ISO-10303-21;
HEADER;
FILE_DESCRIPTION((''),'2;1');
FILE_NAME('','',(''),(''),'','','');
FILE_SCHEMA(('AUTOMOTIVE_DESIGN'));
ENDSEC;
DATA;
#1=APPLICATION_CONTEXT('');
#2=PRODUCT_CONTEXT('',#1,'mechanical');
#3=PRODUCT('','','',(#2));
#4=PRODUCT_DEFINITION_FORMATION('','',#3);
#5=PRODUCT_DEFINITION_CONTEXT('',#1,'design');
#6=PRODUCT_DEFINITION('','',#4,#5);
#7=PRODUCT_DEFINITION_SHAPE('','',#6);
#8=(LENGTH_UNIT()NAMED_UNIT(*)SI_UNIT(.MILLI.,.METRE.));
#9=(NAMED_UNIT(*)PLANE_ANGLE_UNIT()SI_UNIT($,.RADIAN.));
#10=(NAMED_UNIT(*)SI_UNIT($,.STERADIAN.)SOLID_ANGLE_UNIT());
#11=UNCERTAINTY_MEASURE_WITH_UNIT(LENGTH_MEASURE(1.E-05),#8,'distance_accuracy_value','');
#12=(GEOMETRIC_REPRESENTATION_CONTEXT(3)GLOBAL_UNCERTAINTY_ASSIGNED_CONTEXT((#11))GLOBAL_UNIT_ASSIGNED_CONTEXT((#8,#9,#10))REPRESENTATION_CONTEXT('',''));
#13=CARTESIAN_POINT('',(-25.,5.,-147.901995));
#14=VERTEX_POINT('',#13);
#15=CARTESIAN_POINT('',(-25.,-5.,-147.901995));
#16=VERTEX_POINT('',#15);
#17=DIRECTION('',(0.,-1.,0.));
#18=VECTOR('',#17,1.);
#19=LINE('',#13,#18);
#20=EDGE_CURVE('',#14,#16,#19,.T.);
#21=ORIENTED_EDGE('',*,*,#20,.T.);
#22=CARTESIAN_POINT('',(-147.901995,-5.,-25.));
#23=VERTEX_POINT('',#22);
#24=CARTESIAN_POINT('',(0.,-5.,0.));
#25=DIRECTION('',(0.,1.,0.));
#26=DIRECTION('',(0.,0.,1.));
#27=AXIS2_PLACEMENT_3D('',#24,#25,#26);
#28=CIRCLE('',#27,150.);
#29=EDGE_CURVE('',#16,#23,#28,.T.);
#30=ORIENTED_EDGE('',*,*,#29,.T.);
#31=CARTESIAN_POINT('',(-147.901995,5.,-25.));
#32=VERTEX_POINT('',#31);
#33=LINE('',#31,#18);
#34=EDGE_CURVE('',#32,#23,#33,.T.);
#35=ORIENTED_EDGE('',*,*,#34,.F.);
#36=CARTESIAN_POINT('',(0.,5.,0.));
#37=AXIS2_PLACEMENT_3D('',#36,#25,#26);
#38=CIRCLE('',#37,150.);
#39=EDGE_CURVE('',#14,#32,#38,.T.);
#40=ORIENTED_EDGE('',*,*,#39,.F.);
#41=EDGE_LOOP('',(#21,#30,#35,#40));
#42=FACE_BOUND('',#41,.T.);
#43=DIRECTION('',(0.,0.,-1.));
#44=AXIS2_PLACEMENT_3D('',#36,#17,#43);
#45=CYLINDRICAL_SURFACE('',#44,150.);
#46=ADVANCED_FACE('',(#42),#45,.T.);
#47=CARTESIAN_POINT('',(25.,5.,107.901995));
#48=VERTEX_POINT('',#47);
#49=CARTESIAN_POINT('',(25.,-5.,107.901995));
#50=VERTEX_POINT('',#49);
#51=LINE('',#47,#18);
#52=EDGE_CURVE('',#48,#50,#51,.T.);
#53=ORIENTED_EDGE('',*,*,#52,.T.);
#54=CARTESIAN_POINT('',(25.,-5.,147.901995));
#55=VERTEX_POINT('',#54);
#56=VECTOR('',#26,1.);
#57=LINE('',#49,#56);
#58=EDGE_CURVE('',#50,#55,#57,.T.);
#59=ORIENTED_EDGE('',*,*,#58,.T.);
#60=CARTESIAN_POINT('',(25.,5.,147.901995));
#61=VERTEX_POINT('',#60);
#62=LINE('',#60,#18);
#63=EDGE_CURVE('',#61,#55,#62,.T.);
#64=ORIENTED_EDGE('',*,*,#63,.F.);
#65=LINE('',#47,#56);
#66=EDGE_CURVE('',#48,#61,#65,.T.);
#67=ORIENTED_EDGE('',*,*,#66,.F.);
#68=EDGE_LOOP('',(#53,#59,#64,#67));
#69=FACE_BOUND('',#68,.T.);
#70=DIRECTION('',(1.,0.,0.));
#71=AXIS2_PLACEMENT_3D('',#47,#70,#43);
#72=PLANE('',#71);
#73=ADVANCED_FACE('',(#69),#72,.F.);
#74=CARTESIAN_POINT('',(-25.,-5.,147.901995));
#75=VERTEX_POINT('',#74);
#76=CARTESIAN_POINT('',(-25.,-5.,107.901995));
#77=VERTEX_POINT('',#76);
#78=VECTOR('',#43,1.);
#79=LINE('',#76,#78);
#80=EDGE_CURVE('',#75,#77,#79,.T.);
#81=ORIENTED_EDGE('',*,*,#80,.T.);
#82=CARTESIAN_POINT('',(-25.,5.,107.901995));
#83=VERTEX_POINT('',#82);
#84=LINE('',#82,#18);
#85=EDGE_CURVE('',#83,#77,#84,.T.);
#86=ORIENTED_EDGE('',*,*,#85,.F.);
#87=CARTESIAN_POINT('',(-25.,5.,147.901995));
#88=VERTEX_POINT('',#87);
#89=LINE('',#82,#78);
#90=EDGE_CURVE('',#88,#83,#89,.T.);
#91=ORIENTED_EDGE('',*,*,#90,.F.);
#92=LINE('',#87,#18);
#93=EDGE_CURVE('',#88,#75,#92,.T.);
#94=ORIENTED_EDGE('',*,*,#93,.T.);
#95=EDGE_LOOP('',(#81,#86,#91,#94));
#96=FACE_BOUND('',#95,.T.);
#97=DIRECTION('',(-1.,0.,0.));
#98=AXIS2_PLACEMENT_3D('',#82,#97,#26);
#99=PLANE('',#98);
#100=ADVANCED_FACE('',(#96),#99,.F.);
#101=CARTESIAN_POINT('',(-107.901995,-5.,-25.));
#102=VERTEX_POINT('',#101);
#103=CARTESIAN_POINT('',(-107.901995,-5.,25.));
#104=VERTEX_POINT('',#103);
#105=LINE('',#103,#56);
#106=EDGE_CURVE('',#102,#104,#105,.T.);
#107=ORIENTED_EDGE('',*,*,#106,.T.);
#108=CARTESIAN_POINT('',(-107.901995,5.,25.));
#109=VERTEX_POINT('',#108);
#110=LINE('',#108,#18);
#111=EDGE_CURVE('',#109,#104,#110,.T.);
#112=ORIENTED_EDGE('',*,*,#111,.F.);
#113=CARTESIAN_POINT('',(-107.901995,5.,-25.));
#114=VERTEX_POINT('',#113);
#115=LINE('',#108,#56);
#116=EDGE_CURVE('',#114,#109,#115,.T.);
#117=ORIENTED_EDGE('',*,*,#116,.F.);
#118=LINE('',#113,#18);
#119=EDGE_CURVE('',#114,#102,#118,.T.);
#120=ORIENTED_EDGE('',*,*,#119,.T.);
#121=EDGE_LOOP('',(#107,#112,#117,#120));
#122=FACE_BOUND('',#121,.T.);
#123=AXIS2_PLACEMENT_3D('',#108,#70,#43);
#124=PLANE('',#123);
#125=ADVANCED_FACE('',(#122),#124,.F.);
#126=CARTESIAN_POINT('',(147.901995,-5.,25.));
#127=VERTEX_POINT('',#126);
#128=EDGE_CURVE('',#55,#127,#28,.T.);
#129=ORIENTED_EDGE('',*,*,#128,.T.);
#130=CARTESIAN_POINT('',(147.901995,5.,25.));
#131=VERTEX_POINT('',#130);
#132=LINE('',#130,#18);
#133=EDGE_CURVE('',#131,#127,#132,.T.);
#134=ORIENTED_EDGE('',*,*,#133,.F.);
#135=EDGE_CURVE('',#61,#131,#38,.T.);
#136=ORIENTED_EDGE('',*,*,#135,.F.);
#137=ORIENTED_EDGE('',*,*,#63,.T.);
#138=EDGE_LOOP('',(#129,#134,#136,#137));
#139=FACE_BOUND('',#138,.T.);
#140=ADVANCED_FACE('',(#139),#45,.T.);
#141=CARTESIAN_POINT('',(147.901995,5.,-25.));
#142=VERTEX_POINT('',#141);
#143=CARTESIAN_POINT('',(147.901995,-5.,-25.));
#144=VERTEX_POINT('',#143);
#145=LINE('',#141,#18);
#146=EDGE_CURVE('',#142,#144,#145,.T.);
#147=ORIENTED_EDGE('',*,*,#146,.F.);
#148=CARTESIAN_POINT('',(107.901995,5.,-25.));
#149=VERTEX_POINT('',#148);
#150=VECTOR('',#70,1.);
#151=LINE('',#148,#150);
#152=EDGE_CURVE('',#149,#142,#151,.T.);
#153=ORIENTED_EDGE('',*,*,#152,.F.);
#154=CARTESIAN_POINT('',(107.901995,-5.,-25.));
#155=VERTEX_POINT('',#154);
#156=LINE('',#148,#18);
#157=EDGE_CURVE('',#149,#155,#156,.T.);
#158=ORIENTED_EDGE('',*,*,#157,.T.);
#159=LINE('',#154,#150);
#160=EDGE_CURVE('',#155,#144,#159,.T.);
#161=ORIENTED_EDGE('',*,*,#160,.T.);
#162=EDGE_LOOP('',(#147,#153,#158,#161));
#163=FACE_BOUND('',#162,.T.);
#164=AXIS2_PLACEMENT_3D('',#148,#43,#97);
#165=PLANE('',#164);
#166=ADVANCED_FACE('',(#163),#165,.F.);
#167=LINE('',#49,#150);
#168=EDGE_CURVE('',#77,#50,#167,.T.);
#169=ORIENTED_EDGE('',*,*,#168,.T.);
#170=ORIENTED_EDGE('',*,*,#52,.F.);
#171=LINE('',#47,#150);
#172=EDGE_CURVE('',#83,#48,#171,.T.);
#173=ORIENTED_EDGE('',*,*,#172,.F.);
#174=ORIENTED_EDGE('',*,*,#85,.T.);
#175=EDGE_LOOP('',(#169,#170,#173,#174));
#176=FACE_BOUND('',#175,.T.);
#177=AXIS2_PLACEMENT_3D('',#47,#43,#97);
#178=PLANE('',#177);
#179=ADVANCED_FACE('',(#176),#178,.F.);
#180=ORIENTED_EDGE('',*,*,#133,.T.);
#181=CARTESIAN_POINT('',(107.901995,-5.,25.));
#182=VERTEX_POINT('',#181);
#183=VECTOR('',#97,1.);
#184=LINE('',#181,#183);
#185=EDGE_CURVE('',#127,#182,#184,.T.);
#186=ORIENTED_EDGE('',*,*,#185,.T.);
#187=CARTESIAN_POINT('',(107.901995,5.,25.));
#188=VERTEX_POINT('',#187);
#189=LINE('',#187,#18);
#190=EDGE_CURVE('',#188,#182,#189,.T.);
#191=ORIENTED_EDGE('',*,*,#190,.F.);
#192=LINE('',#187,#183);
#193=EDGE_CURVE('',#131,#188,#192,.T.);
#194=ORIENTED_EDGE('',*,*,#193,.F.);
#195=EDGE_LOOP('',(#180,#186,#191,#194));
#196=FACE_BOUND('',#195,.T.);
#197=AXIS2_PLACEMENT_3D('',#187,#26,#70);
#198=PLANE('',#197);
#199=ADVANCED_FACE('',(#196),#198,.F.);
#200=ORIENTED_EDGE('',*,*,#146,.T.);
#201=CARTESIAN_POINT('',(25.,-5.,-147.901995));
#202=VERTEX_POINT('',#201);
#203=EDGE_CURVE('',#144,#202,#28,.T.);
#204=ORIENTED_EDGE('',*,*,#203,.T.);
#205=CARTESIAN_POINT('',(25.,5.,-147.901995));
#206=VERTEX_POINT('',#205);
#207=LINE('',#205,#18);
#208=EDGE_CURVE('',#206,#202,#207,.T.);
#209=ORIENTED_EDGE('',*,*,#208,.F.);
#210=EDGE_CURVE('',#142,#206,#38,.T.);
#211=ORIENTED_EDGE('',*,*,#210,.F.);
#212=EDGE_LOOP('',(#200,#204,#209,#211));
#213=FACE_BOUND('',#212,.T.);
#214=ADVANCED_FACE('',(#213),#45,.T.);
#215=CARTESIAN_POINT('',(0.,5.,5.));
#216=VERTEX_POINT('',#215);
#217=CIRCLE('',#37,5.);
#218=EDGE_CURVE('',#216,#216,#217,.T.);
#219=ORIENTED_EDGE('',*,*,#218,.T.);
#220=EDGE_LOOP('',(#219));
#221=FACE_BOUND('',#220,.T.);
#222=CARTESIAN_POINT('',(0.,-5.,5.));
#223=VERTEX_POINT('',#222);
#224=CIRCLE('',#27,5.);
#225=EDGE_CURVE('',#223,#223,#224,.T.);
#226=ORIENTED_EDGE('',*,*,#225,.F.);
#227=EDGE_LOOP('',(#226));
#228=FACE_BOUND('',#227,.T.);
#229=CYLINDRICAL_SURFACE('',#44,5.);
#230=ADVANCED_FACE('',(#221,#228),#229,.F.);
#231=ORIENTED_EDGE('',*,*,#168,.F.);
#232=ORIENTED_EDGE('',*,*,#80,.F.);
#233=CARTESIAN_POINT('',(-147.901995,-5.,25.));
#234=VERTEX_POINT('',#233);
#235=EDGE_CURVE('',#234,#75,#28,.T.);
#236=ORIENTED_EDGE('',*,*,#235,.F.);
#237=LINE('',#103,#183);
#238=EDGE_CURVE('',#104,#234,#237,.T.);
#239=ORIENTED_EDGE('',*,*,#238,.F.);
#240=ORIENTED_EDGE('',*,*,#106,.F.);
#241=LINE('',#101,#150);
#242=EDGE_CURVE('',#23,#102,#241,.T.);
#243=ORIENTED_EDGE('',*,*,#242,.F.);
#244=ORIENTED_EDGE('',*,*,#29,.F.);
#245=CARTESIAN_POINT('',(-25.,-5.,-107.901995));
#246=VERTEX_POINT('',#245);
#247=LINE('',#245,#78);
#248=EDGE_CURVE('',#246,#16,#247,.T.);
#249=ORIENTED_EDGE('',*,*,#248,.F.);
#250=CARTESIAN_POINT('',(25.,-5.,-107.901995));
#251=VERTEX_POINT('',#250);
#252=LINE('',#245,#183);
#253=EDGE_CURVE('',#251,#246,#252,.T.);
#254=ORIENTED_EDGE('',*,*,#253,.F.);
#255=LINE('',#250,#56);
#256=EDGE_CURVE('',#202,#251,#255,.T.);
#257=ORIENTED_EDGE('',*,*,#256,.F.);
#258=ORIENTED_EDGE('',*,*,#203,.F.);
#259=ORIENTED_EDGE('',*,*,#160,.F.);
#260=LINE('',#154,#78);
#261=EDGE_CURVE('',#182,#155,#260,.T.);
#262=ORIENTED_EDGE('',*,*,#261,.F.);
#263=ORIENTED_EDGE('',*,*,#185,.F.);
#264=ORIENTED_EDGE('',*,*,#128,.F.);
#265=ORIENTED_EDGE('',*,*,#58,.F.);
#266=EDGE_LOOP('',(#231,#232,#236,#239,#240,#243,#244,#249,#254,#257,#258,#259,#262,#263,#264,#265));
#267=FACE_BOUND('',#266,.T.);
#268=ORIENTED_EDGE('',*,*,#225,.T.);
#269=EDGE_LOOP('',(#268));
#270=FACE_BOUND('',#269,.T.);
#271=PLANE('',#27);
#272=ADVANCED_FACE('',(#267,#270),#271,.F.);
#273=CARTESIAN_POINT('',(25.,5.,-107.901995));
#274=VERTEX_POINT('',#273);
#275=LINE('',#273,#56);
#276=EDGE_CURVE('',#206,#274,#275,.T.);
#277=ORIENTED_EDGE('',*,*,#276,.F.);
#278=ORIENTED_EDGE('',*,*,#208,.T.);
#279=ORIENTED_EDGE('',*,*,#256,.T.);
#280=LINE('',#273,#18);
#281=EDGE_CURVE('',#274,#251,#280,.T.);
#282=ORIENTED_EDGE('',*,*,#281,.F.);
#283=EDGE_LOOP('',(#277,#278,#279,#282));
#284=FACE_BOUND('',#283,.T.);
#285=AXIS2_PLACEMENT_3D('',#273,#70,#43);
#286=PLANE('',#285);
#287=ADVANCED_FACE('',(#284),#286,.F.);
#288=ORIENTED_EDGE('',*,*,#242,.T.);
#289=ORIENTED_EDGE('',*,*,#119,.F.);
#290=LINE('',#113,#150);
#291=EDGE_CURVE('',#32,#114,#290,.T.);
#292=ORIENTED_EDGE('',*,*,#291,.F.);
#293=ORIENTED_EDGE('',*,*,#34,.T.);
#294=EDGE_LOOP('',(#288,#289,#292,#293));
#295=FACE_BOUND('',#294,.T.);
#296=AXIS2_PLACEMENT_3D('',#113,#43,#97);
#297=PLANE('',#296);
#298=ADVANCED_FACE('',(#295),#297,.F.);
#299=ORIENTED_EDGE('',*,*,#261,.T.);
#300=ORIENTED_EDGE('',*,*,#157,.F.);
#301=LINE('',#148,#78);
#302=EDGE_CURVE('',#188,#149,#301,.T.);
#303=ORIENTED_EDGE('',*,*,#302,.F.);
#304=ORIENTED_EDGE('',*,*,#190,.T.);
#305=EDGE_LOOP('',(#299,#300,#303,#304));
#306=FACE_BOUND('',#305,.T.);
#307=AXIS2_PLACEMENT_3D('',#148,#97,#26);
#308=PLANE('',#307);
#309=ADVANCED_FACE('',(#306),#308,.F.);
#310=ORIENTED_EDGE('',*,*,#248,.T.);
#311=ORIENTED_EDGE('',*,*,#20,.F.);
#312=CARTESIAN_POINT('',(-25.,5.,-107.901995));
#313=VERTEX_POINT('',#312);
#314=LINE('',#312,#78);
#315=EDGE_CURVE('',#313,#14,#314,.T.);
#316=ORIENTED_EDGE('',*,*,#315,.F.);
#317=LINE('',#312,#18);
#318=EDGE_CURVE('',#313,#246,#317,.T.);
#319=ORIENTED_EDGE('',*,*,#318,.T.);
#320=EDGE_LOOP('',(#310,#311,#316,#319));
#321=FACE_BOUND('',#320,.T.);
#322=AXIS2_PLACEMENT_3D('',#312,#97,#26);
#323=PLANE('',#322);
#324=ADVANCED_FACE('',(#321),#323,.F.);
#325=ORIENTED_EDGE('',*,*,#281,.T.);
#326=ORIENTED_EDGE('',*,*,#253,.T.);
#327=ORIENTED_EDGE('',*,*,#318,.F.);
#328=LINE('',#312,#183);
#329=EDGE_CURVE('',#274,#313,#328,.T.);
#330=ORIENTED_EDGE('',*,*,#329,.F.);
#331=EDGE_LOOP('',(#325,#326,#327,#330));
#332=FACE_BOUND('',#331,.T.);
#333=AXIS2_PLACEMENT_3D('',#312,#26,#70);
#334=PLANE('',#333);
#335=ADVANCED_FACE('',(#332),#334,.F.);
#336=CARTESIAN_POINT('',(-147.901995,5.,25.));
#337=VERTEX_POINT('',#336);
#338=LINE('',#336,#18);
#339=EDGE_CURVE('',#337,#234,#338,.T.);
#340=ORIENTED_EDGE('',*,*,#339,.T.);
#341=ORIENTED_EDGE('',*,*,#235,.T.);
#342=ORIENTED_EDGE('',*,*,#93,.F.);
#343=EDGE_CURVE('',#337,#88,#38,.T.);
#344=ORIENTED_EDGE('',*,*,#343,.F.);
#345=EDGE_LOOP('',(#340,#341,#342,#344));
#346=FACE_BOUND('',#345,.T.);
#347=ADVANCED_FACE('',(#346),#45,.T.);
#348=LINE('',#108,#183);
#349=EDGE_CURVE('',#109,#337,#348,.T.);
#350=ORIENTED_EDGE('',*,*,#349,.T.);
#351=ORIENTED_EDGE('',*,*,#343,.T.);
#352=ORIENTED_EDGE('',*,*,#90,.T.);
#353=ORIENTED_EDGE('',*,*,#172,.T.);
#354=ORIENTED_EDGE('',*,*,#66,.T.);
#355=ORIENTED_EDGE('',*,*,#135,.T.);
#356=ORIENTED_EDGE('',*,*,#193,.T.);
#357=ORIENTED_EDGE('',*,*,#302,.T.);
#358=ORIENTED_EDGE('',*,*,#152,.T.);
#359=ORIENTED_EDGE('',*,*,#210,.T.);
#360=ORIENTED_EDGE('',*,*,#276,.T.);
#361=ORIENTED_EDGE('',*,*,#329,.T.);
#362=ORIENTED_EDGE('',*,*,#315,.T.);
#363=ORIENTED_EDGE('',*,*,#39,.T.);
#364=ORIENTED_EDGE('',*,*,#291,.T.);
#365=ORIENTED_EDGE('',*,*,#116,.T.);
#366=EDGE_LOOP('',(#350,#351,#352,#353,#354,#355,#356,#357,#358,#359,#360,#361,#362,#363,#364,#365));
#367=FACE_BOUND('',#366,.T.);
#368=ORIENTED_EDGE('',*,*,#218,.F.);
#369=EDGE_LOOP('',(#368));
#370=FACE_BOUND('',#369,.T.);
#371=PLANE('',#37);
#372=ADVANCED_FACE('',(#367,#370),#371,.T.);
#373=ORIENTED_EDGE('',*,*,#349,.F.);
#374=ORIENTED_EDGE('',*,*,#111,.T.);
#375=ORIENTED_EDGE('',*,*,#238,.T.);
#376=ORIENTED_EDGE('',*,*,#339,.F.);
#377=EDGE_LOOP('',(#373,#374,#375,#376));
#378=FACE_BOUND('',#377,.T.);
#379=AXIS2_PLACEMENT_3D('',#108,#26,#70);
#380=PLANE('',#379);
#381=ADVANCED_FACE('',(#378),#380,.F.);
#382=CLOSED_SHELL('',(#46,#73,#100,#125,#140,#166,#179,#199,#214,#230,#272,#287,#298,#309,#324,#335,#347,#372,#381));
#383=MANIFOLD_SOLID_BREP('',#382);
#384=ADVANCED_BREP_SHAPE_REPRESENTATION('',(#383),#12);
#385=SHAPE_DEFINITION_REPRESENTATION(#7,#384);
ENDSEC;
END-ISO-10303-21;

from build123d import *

# Parameters (mm, degrees)
SKETCH2_R           = 5
BOSS_EXTRUDE1_DEPTH = 5


with BuildPart() as part:
    # Sketch2 → Boss-Extrude1 (new, symmetric)
    with BuildSketch(Plane(origin=(0, 0, 0), x_dir=(1, 0, 0), z_dir=(0, 1, 0))):
        with BuildLine():
            Line((107.901994577, 25), (147.901994577, 25))
            ThreePointArc((147.901994577, 25), (106.066017178, 106.066017178), (25, 147.901994577))
            Line((25, 147.901994577), (25, 107.901994577))
            Line((25, 107.901994577), (-25, 107.901994577))
            Line((-25, 107.901994577), (-25, 147.901994577))
            ThreePointArc((-25, 147.901994577), (-106.066017178, 106.066017178), (-147.901994577, 25))
            Line((-147.901994577, 25), (-107.901994577, 25))
            Line((-107.901994577, 25), (-107.901994577, -25))
            Line((-107.901994577, -25), (-147.901994577, -25))
            ThreePointArc((-147.901994577, -25), (-106.066017178, -106.066017178), (-25, -147.901994577))
            Line((-25, -147.901994577), (-25, -107.901994577))
            Line((-25, -107.901994577), (25, -107.901994577))
            Line((25, -107.901994577), (25, -147.901994577))
            ThreePointArc((25, -147.901994577), (106.066017178, -106.066017178), (147.901994577, -25))
            Line((147.901994577, -25), (107.901994577, -25))
            Line((107.901994577, -25), (107.901994577, 25))
        make_face()
        with Locations(Location((0, 0, 0), (0, 0, 270))):
            Circle(SKETCH2_R, mode=Mode.SUBTRACT)
    extrude(amount=BOSS_EXTRUDE1_DEPTH, both=True)


solid = part.part
